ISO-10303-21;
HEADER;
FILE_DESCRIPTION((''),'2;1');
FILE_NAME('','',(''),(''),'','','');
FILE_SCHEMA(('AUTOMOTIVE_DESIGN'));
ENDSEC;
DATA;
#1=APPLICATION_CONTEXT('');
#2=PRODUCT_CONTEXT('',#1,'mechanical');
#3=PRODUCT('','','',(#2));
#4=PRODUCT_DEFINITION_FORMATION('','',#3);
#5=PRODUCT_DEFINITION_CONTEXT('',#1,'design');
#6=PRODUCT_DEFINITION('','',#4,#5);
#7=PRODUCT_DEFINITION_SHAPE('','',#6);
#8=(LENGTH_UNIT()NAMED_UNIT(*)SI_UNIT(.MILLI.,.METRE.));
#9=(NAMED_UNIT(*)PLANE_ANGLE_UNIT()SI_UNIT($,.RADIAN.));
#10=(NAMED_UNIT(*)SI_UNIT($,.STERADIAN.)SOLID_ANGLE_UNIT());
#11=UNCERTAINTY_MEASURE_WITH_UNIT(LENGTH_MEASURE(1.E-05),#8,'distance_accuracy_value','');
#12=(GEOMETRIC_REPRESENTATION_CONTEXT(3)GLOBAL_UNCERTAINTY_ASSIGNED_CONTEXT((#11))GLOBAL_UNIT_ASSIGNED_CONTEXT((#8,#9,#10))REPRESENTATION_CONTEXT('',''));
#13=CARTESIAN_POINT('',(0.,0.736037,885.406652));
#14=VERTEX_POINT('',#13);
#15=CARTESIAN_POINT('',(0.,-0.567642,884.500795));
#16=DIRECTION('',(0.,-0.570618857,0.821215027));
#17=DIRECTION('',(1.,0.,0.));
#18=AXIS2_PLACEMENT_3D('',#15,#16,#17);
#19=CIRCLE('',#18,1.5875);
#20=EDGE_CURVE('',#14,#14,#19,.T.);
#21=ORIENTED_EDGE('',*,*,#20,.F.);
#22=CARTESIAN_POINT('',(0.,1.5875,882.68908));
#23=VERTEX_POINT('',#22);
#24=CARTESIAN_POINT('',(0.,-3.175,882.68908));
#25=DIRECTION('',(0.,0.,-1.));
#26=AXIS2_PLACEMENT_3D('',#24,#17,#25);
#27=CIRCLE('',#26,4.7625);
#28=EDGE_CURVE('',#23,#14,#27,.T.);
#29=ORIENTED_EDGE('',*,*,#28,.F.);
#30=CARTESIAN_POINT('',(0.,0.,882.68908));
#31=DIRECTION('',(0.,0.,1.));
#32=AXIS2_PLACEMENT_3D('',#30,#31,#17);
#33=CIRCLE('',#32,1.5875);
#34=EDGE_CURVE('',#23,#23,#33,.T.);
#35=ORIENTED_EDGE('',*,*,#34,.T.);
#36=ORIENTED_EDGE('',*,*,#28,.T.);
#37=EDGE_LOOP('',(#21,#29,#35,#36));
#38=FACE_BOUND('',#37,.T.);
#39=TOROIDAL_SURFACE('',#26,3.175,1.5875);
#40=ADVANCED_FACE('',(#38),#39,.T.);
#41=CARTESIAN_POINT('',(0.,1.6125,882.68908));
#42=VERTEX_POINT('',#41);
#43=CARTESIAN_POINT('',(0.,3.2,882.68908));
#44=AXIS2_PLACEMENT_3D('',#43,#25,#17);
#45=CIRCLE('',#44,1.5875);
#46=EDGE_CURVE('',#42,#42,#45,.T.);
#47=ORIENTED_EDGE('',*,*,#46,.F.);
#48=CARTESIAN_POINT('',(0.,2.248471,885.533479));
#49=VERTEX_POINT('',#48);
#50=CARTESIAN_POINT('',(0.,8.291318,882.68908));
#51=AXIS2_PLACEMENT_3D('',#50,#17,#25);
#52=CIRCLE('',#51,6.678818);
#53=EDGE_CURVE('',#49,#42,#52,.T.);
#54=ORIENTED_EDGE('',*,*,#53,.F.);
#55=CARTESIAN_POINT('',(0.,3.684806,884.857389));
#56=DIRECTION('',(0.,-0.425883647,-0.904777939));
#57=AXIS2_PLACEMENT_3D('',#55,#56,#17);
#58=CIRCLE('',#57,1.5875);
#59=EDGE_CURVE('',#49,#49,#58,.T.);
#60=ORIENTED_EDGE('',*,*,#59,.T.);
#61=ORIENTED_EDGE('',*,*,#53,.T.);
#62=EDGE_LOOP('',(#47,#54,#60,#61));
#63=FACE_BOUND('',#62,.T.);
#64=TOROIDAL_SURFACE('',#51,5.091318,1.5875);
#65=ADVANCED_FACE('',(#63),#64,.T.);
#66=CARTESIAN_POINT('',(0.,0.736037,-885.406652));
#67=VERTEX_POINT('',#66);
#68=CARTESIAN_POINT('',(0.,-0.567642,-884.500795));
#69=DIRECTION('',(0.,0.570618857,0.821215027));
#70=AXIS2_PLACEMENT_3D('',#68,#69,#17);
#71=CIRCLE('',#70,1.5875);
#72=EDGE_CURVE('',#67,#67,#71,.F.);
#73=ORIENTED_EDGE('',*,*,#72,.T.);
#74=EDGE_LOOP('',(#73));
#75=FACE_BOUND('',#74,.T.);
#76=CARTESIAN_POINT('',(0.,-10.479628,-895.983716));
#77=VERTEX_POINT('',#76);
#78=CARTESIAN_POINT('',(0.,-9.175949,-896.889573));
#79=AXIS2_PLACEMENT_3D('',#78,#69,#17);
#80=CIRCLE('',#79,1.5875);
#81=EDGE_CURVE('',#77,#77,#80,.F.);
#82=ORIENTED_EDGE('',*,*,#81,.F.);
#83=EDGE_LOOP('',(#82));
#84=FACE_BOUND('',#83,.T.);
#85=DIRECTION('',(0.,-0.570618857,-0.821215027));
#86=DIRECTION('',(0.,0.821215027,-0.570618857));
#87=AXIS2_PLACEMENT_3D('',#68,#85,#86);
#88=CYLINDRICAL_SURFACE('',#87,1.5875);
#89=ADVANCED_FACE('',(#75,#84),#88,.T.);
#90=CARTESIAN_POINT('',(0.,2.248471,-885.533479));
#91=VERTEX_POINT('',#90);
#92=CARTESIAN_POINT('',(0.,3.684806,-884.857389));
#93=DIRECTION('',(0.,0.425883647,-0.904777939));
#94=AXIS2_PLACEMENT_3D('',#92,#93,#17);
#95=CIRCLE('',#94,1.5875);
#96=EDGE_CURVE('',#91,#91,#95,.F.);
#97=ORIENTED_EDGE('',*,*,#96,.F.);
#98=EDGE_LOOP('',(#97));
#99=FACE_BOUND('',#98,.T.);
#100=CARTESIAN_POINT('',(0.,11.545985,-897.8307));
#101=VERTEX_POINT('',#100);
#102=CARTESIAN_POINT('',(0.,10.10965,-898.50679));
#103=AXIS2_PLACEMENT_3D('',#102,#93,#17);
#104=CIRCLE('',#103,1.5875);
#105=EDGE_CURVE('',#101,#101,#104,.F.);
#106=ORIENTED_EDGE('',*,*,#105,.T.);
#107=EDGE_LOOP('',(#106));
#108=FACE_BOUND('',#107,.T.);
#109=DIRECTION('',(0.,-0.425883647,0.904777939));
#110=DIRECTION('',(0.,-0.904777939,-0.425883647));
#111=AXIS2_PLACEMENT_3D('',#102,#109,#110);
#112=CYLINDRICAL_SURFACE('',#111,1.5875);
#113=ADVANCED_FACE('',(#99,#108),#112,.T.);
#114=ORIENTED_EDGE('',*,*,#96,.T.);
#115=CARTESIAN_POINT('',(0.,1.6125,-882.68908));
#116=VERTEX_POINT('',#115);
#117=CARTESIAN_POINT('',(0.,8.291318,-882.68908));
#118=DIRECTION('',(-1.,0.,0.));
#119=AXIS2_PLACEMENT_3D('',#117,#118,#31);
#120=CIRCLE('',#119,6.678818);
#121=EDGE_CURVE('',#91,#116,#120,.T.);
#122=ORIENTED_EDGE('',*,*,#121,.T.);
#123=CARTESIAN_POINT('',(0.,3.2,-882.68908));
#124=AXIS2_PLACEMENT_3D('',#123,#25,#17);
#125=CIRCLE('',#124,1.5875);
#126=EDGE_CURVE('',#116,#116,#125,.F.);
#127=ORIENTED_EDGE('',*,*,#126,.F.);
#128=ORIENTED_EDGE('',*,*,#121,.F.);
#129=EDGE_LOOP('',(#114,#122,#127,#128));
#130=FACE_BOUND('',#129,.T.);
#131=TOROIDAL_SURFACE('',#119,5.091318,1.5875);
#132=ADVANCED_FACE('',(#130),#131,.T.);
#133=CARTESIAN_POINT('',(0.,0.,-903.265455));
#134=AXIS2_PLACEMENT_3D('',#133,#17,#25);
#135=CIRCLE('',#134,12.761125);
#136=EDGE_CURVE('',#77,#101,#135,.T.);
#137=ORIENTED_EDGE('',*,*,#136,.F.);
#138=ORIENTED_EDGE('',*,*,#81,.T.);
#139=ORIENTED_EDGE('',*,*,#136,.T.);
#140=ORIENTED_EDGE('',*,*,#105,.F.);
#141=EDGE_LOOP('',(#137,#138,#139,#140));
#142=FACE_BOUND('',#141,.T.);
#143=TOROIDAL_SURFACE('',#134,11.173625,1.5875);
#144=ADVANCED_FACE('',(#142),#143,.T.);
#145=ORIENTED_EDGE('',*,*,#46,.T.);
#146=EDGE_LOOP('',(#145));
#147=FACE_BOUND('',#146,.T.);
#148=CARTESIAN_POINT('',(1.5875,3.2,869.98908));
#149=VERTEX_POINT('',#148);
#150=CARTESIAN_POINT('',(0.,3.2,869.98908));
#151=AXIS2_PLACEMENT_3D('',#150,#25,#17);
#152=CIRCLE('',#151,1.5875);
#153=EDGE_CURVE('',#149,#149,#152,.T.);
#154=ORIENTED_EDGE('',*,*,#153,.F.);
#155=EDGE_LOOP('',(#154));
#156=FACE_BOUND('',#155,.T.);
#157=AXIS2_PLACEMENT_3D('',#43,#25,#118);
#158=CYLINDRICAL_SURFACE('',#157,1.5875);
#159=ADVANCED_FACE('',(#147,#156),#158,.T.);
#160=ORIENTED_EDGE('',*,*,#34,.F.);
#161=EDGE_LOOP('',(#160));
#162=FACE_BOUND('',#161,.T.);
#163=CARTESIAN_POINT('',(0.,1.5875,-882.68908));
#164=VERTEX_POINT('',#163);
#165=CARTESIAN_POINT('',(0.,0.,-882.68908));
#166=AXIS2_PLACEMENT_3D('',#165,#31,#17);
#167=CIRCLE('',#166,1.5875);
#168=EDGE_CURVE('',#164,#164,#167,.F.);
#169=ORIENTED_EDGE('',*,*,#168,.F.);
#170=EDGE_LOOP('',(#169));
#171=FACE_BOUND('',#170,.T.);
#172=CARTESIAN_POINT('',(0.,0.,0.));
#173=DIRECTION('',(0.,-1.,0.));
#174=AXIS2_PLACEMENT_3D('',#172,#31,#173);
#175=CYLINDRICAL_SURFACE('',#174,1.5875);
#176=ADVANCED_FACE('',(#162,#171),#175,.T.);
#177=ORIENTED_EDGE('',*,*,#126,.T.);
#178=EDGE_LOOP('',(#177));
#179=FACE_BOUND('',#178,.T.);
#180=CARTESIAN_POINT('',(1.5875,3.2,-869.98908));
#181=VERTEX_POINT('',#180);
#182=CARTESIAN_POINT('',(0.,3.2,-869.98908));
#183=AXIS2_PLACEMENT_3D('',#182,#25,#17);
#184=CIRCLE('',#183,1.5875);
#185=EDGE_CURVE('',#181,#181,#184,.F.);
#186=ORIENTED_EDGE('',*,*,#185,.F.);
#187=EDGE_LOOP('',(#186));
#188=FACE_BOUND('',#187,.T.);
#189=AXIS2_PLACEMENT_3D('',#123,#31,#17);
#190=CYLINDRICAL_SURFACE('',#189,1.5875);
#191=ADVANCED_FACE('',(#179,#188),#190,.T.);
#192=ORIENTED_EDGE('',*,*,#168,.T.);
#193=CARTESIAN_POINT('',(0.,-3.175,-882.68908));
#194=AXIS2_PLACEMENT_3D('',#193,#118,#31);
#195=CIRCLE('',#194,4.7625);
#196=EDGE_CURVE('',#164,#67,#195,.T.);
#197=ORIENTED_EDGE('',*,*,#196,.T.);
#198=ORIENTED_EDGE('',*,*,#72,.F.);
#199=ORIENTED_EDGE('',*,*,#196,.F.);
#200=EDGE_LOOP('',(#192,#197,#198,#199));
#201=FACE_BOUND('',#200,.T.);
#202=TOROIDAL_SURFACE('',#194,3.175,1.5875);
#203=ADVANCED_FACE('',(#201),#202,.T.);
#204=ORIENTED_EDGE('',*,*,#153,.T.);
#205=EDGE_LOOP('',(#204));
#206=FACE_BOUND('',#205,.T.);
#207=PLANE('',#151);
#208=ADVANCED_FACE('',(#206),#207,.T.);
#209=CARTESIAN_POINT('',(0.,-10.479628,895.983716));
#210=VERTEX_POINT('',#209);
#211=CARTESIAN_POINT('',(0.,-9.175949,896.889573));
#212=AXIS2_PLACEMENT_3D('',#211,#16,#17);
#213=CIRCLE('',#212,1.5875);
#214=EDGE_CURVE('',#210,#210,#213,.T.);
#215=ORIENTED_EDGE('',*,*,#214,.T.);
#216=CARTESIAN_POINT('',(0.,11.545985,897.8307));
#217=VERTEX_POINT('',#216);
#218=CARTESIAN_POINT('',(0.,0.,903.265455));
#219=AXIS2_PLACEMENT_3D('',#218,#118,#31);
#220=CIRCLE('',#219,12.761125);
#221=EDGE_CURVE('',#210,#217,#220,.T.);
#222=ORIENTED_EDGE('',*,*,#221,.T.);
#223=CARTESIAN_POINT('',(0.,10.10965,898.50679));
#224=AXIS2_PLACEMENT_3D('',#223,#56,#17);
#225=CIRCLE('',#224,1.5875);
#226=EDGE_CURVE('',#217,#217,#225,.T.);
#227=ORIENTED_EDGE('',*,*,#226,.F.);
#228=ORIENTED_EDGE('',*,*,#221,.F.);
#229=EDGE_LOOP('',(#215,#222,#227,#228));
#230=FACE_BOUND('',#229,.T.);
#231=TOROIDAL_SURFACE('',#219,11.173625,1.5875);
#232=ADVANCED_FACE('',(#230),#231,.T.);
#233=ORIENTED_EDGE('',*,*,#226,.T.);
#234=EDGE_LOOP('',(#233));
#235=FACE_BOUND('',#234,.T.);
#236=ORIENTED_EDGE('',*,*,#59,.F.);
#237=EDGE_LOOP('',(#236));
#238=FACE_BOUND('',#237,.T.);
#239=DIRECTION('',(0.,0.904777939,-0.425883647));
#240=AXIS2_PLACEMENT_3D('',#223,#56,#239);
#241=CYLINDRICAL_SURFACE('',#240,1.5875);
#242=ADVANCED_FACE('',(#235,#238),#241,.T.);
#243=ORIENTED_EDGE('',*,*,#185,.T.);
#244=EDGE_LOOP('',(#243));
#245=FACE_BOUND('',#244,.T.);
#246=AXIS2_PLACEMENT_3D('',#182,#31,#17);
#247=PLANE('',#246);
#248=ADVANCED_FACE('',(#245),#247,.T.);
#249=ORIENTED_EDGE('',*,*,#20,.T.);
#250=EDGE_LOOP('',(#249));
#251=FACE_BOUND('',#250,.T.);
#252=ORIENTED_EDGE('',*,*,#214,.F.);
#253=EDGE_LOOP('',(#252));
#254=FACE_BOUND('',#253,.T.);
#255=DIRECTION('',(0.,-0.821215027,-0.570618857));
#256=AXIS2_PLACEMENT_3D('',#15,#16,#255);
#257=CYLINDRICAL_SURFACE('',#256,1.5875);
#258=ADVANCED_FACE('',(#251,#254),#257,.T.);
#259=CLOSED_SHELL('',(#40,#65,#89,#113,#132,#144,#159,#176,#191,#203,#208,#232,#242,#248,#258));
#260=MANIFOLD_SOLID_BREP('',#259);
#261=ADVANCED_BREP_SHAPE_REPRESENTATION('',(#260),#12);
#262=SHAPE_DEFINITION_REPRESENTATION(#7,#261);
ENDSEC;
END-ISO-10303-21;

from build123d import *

# Parameters (mm, degrees)
SKETCH2_R = 1.5875


with BuildPart() as part:
    # Sweep1: sweep along a path in Sketch1
    with BuildLine(Plane(origin=(0, 0, 0), x_dir=(0, 0, -1), z_dir=(1, 0, 0))) as sweep1_path:
        Line((0, 0), (-882.689079714, 0))
        ThreePointArc((-882.689079714, 0), (-883.638359511, -0.145232209), (-884.500794583, -0.567642289))
        Line((-884.500794583, -0.567642289), (-896.889573308, -9.175948905))
        ThreePointArc((-896.889573308, -9.175948905), (-914.4, -0.933700659), (-898.506790289, 10.109649564))
        Line((-898.506790289, 10.109649564), (-884.857388714, 3.684805775))
        ThreePointArc((-884.857388714, 3.684805775), (-883.800002816, 3.322679475), (-882.689079714, 3.2))
        Line((-882.689079714, 3.2), (-869.989079714, 3.2))
    # Sketch2 → Sweep1 (sweep)
    with BuildSketch(Plane.XY):
        Circle(SKETCH2_R)
    sweep1 = sweep(path=sweep1_path.line)

    # Mirror1: Sweep1 across plane
    add(sweep1.mirror(Plane.XY))


solid = part.part
